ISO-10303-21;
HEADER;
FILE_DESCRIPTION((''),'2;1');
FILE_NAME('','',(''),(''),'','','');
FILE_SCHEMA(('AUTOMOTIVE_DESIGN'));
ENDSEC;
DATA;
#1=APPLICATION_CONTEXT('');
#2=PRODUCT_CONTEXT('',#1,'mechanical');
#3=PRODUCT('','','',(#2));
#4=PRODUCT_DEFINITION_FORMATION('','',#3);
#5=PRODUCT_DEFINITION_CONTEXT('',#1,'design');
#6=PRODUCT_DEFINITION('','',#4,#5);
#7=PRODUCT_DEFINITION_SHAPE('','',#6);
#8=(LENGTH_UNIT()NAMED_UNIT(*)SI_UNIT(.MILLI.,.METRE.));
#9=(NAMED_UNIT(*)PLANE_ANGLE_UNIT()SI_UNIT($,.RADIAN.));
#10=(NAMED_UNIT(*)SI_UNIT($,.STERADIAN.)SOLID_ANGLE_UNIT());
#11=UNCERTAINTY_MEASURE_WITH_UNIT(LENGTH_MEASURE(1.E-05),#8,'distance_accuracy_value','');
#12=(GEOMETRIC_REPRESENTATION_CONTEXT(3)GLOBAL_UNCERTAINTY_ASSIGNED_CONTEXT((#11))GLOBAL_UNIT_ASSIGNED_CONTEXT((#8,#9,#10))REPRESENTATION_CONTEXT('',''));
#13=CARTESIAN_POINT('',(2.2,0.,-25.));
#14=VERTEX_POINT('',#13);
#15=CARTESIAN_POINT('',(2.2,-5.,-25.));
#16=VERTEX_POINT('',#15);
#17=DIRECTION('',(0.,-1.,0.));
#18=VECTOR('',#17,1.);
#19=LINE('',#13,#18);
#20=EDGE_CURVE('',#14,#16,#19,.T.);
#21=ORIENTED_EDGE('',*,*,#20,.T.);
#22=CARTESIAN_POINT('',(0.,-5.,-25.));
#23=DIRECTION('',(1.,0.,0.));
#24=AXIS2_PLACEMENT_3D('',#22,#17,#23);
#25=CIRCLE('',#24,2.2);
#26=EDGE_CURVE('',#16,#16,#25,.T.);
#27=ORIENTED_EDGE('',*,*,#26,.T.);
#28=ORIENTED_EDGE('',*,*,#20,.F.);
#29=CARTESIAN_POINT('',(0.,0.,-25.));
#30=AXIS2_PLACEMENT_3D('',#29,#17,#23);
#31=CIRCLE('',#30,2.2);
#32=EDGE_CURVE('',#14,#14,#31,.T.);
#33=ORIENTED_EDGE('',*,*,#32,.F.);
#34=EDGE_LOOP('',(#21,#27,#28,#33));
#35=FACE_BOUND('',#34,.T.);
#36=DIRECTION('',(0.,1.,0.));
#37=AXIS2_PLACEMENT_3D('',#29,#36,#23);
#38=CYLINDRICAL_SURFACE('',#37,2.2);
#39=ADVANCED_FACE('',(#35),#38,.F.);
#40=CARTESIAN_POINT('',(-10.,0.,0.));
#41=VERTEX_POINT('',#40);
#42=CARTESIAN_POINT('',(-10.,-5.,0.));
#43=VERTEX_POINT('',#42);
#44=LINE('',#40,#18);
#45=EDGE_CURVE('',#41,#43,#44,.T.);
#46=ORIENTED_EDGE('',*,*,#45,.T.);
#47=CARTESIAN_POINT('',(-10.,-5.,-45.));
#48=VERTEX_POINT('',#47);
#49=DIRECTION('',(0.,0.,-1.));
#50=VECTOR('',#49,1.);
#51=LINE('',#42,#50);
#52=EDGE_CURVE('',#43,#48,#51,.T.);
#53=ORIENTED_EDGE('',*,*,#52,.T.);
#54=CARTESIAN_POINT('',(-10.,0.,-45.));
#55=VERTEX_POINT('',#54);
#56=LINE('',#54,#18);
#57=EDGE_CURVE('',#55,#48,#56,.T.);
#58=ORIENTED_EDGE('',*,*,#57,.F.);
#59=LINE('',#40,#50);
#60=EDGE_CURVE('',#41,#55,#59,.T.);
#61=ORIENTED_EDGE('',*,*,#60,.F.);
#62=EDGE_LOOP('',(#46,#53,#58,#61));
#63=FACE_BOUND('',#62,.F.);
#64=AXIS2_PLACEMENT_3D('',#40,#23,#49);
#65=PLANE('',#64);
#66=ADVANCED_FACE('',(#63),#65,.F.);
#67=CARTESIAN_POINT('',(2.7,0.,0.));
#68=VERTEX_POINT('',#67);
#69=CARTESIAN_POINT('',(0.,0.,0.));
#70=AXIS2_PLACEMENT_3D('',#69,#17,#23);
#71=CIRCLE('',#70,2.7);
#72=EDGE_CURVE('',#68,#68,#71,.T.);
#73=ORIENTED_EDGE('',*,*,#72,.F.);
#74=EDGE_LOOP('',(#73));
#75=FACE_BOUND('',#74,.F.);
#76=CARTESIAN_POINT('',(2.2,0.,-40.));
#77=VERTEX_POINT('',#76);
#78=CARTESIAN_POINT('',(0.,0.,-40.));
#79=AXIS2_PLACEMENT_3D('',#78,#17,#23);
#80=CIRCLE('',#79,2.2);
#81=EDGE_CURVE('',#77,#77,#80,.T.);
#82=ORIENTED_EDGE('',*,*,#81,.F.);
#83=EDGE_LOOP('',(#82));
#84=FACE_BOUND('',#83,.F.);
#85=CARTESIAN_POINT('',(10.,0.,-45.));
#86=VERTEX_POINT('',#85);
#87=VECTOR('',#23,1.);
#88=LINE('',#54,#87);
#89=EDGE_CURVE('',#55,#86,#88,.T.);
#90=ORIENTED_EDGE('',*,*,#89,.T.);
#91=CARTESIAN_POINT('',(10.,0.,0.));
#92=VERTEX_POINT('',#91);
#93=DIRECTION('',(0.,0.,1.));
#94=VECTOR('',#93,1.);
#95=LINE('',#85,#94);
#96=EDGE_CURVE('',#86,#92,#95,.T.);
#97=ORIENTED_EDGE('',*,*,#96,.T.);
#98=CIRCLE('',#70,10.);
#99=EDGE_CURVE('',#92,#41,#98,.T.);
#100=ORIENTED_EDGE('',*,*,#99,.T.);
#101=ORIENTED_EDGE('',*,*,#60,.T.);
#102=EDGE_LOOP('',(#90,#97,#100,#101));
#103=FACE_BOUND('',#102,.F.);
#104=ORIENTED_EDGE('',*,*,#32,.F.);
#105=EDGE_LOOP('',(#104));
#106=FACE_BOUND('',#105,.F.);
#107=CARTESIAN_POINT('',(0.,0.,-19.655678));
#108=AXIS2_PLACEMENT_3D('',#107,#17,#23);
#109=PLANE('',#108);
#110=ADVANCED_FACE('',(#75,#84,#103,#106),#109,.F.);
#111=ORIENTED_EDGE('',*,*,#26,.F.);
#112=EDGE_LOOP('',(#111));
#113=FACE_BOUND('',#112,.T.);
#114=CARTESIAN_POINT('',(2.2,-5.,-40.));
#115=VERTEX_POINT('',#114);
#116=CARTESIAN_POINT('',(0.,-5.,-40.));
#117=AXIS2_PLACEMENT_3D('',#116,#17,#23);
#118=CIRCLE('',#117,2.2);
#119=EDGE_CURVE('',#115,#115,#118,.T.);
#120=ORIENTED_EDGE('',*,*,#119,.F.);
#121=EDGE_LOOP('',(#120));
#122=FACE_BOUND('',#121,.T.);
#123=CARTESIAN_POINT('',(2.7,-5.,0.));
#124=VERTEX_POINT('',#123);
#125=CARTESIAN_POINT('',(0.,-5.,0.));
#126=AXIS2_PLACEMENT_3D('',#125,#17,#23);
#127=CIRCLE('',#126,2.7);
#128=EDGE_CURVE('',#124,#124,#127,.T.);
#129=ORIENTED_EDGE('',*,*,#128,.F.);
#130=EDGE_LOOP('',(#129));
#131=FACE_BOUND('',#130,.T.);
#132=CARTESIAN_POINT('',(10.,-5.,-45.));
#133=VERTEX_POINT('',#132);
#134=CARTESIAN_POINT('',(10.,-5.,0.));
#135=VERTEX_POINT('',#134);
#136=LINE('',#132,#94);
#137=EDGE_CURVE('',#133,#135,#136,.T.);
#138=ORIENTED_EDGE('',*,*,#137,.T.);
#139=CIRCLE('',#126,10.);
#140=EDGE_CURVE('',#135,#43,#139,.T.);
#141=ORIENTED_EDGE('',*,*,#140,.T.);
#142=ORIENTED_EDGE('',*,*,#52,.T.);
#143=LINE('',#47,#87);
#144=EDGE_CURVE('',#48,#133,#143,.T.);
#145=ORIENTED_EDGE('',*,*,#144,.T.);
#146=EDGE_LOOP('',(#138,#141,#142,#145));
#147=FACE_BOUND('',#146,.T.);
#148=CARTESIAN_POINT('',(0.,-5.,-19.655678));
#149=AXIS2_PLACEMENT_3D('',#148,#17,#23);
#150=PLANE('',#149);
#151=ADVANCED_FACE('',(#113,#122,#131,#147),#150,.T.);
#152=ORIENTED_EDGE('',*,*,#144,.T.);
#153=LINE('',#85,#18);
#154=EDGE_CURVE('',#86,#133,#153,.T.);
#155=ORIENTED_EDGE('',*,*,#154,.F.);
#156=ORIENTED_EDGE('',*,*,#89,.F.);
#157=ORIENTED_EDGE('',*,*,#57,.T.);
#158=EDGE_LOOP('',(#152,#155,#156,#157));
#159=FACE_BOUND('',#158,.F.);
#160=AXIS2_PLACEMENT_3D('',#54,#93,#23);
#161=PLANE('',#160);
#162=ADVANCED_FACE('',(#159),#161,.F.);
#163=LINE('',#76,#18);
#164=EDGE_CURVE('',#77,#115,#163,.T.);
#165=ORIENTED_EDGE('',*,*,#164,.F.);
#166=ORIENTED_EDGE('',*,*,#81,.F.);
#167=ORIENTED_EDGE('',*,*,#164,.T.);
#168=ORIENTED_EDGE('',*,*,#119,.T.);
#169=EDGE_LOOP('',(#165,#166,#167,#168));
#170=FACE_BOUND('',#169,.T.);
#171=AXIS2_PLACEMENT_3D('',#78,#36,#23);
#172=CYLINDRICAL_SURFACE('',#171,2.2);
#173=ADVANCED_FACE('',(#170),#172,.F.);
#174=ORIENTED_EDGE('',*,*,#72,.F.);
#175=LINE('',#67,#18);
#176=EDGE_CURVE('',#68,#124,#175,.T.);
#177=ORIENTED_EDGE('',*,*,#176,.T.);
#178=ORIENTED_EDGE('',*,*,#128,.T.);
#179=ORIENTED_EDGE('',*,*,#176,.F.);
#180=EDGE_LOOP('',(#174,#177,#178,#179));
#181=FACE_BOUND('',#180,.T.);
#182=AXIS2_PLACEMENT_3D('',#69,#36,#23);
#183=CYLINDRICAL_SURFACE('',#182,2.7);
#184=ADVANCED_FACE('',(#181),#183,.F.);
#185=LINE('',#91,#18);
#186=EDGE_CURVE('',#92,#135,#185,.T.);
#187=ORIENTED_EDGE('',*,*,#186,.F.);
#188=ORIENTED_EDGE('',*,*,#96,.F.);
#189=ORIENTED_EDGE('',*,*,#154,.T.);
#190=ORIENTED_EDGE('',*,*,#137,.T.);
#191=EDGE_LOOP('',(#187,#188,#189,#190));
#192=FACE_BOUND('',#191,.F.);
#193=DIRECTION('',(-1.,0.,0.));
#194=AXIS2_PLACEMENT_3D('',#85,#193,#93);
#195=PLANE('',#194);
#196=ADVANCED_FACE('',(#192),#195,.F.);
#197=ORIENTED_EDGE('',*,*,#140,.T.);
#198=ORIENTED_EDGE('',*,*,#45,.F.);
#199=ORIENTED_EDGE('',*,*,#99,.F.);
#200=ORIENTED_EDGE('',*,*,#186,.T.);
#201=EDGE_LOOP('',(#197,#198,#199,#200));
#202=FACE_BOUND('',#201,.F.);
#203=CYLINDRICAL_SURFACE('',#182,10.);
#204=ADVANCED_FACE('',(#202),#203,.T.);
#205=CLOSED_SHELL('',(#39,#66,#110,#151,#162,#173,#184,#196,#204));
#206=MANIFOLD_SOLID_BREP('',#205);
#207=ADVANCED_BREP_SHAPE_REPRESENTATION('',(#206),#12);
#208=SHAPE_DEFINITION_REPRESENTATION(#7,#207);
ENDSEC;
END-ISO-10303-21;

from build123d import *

# Parameters (mm, degrees)
F0_R     = 2.2
F0_R_2   = 2.7
F1_DEPTH = 5


with BuildPart() as f1:
    # F0 (on Front) → F1 (new body)
    with BuildSketch(Plane.XZ):
        with BuildLine():
            Line((-10, 0), (-10, -45))
            Line((-10, -45), (10, -45))
            Line((10, -45), (10, 0))
            ThreePointArc((10, 0), (0, 10), (-10, 0))
        make_face()
        with Locations((0, -40)):
            Circle(F0_R, mode=Mode.SUBTRACT)
        with Locations((0, -25)):
            Circle(F0_R, mode=Mode.SUBTRACT)
        Circle(F0_R_2, mode=Mode.SUBTRACT)
    extrude(amount=F1_DEPTH)


solid = f1.part
